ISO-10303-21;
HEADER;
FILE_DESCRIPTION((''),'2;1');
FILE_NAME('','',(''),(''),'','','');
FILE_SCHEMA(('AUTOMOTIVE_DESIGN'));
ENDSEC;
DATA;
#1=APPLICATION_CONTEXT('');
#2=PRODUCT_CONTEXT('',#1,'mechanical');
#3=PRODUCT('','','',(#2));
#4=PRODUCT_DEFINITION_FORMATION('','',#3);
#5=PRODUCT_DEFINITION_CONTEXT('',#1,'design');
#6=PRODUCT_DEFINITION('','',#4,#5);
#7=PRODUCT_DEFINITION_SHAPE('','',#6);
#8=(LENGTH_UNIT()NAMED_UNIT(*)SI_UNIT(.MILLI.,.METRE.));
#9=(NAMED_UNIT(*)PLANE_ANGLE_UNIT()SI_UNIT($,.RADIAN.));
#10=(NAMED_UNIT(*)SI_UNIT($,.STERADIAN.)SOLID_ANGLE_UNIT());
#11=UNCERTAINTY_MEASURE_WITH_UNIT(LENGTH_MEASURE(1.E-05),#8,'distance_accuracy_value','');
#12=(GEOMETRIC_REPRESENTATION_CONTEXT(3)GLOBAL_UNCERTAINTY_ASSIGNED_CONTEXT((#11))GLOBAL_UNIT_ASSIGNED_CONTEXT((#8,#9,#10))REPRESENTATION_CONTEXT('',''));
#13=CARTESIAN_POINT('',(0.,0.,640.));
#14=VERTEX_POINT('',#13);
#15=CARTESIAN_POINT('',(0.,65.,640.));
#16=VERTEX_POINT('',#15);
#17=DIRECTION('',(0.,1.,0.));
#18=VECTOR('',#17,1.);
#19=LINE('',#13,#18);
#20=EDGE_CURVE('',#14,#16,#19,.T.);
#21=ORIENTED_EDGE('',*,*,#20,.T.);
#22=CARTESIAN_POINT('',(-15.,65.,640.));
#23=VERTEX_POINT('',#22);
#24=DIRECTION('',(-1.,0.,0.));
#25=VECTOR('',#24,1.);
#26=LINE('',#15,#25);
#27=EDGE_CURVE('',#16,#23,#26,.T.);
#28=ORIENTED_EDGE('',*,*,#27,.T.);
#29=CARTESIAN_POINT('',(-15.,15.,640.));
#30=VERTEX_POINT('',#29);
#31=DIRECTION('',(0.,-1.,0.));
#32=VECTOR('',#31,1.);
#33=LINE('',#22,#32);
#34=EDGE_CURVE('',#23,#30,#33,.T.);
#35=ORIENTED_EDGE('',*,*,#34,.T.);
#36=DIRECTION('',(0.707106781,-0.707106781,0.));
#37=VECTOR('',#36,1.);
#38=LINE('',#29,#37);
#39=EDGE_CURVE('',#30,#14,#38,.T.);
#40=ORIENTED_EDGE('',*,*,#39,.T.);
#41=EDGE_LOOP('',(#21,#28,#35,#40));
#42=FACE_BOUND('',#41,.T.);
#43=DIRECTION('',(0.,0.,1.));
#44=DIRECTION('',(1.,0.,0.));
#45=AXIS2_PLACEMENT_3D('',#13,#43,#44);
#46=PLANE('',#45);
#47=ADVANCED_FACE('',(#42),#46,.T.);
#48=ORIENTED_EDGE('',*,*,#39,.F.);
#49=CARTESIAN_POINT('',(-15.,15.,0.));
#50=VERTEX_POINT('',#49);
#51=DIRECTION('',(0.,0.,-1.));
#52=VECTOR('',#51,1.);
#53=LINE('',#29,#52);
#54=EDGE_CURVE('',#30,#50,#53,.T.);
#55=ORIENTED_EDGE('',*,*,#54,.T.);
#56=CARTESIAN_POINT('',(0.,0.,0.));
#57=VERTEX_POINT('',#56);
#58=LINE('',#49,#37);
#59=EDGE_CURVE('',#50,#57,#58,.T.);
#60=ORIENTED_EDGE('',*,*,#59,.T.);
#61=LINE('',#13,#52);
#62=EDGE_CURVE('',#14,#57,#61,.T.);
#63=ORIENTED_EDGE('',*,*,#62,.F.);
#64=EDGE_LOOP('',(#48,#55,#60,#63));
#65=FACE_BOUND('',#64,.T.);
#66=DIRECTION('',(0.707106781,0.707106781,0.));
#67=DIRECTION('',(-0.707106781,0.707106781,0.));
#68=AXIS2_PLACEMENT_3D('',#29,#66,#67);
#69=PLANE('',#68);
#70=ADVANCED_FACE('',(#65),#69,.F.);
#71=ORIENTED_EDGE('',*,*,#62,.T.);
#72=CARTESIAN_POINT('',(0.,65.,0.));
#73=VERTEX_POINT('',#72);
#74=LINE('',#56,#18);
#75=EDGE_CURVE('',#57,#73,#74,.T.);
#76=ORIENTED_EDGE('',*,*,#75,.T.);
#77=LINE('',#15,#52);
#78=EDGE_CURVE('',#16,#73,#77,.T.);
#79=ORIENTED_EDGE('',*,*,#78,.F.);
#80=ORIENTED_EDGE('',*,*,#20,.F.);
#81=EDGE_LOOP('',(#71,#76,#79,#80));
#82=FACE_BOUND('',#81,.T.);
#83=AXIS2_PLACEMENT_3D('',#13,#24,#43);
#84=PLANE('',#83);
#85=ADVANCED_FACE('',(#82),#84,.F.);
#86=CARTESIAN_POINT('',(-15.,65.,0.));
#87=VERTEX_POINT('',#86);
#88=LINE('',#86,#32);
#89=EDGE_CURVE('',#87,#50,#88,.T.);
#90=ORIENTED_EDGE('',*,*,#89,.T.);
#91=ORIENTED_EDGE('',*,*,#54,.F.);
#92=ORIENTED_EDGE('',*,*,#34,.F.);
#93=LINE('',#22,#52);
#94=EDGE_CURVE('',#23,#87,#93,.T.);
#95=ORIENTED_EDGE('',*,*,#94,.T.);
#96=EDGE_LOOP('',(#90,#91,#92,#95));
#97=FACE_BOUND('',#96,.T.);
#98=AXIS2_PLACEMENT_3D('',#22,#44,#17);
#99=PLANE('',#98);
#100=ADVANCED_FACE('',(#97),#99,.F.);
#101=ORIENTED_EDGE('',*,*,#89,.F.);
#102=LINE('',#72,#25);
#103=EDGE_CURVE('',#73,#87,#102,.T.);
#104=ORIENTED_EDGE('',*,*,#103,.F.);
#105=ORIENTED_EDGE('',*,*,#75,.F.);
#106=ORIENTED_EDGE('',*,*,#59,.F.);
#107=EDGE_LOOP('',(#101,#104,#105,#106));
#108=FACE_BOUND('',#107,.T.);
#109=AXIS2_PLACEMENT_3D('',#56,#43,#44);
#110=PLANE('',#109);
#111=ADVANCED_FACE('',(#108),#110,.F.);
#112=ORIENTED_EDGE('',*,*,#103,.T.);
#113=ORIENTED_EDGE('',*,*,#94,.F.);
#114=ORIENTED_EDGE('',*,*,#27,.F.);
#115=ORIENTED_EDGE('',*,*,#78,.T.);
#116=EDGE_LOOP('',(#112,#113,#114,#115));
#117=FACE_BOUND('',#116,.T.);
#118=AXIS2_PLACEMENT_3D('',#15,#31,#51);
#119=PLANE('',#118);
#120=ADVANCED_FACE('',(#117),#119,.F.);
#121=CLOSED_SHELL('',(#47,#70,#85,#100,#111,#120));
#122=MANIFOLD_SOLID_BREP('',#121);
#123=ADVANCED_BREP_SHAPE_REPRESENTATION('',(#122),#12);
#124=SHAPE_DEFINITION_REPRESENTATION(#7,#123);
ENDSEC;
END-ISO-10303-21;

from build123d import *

# Parameters (mm, degrees)
BOSS_EXTRU_1_DEPTH = 640


with BuildPart() as part:
    # Esquisse1 → Boss.-Extru.1 (new body)
    with BuildSketch(Plane.XY):
        Polygon((0, 0), (0, 65), (-15, 65), (-15, 15), align=None)
    extrude(amount=BOSS_EXTRU_1_DEPTH)


solid = part.part
